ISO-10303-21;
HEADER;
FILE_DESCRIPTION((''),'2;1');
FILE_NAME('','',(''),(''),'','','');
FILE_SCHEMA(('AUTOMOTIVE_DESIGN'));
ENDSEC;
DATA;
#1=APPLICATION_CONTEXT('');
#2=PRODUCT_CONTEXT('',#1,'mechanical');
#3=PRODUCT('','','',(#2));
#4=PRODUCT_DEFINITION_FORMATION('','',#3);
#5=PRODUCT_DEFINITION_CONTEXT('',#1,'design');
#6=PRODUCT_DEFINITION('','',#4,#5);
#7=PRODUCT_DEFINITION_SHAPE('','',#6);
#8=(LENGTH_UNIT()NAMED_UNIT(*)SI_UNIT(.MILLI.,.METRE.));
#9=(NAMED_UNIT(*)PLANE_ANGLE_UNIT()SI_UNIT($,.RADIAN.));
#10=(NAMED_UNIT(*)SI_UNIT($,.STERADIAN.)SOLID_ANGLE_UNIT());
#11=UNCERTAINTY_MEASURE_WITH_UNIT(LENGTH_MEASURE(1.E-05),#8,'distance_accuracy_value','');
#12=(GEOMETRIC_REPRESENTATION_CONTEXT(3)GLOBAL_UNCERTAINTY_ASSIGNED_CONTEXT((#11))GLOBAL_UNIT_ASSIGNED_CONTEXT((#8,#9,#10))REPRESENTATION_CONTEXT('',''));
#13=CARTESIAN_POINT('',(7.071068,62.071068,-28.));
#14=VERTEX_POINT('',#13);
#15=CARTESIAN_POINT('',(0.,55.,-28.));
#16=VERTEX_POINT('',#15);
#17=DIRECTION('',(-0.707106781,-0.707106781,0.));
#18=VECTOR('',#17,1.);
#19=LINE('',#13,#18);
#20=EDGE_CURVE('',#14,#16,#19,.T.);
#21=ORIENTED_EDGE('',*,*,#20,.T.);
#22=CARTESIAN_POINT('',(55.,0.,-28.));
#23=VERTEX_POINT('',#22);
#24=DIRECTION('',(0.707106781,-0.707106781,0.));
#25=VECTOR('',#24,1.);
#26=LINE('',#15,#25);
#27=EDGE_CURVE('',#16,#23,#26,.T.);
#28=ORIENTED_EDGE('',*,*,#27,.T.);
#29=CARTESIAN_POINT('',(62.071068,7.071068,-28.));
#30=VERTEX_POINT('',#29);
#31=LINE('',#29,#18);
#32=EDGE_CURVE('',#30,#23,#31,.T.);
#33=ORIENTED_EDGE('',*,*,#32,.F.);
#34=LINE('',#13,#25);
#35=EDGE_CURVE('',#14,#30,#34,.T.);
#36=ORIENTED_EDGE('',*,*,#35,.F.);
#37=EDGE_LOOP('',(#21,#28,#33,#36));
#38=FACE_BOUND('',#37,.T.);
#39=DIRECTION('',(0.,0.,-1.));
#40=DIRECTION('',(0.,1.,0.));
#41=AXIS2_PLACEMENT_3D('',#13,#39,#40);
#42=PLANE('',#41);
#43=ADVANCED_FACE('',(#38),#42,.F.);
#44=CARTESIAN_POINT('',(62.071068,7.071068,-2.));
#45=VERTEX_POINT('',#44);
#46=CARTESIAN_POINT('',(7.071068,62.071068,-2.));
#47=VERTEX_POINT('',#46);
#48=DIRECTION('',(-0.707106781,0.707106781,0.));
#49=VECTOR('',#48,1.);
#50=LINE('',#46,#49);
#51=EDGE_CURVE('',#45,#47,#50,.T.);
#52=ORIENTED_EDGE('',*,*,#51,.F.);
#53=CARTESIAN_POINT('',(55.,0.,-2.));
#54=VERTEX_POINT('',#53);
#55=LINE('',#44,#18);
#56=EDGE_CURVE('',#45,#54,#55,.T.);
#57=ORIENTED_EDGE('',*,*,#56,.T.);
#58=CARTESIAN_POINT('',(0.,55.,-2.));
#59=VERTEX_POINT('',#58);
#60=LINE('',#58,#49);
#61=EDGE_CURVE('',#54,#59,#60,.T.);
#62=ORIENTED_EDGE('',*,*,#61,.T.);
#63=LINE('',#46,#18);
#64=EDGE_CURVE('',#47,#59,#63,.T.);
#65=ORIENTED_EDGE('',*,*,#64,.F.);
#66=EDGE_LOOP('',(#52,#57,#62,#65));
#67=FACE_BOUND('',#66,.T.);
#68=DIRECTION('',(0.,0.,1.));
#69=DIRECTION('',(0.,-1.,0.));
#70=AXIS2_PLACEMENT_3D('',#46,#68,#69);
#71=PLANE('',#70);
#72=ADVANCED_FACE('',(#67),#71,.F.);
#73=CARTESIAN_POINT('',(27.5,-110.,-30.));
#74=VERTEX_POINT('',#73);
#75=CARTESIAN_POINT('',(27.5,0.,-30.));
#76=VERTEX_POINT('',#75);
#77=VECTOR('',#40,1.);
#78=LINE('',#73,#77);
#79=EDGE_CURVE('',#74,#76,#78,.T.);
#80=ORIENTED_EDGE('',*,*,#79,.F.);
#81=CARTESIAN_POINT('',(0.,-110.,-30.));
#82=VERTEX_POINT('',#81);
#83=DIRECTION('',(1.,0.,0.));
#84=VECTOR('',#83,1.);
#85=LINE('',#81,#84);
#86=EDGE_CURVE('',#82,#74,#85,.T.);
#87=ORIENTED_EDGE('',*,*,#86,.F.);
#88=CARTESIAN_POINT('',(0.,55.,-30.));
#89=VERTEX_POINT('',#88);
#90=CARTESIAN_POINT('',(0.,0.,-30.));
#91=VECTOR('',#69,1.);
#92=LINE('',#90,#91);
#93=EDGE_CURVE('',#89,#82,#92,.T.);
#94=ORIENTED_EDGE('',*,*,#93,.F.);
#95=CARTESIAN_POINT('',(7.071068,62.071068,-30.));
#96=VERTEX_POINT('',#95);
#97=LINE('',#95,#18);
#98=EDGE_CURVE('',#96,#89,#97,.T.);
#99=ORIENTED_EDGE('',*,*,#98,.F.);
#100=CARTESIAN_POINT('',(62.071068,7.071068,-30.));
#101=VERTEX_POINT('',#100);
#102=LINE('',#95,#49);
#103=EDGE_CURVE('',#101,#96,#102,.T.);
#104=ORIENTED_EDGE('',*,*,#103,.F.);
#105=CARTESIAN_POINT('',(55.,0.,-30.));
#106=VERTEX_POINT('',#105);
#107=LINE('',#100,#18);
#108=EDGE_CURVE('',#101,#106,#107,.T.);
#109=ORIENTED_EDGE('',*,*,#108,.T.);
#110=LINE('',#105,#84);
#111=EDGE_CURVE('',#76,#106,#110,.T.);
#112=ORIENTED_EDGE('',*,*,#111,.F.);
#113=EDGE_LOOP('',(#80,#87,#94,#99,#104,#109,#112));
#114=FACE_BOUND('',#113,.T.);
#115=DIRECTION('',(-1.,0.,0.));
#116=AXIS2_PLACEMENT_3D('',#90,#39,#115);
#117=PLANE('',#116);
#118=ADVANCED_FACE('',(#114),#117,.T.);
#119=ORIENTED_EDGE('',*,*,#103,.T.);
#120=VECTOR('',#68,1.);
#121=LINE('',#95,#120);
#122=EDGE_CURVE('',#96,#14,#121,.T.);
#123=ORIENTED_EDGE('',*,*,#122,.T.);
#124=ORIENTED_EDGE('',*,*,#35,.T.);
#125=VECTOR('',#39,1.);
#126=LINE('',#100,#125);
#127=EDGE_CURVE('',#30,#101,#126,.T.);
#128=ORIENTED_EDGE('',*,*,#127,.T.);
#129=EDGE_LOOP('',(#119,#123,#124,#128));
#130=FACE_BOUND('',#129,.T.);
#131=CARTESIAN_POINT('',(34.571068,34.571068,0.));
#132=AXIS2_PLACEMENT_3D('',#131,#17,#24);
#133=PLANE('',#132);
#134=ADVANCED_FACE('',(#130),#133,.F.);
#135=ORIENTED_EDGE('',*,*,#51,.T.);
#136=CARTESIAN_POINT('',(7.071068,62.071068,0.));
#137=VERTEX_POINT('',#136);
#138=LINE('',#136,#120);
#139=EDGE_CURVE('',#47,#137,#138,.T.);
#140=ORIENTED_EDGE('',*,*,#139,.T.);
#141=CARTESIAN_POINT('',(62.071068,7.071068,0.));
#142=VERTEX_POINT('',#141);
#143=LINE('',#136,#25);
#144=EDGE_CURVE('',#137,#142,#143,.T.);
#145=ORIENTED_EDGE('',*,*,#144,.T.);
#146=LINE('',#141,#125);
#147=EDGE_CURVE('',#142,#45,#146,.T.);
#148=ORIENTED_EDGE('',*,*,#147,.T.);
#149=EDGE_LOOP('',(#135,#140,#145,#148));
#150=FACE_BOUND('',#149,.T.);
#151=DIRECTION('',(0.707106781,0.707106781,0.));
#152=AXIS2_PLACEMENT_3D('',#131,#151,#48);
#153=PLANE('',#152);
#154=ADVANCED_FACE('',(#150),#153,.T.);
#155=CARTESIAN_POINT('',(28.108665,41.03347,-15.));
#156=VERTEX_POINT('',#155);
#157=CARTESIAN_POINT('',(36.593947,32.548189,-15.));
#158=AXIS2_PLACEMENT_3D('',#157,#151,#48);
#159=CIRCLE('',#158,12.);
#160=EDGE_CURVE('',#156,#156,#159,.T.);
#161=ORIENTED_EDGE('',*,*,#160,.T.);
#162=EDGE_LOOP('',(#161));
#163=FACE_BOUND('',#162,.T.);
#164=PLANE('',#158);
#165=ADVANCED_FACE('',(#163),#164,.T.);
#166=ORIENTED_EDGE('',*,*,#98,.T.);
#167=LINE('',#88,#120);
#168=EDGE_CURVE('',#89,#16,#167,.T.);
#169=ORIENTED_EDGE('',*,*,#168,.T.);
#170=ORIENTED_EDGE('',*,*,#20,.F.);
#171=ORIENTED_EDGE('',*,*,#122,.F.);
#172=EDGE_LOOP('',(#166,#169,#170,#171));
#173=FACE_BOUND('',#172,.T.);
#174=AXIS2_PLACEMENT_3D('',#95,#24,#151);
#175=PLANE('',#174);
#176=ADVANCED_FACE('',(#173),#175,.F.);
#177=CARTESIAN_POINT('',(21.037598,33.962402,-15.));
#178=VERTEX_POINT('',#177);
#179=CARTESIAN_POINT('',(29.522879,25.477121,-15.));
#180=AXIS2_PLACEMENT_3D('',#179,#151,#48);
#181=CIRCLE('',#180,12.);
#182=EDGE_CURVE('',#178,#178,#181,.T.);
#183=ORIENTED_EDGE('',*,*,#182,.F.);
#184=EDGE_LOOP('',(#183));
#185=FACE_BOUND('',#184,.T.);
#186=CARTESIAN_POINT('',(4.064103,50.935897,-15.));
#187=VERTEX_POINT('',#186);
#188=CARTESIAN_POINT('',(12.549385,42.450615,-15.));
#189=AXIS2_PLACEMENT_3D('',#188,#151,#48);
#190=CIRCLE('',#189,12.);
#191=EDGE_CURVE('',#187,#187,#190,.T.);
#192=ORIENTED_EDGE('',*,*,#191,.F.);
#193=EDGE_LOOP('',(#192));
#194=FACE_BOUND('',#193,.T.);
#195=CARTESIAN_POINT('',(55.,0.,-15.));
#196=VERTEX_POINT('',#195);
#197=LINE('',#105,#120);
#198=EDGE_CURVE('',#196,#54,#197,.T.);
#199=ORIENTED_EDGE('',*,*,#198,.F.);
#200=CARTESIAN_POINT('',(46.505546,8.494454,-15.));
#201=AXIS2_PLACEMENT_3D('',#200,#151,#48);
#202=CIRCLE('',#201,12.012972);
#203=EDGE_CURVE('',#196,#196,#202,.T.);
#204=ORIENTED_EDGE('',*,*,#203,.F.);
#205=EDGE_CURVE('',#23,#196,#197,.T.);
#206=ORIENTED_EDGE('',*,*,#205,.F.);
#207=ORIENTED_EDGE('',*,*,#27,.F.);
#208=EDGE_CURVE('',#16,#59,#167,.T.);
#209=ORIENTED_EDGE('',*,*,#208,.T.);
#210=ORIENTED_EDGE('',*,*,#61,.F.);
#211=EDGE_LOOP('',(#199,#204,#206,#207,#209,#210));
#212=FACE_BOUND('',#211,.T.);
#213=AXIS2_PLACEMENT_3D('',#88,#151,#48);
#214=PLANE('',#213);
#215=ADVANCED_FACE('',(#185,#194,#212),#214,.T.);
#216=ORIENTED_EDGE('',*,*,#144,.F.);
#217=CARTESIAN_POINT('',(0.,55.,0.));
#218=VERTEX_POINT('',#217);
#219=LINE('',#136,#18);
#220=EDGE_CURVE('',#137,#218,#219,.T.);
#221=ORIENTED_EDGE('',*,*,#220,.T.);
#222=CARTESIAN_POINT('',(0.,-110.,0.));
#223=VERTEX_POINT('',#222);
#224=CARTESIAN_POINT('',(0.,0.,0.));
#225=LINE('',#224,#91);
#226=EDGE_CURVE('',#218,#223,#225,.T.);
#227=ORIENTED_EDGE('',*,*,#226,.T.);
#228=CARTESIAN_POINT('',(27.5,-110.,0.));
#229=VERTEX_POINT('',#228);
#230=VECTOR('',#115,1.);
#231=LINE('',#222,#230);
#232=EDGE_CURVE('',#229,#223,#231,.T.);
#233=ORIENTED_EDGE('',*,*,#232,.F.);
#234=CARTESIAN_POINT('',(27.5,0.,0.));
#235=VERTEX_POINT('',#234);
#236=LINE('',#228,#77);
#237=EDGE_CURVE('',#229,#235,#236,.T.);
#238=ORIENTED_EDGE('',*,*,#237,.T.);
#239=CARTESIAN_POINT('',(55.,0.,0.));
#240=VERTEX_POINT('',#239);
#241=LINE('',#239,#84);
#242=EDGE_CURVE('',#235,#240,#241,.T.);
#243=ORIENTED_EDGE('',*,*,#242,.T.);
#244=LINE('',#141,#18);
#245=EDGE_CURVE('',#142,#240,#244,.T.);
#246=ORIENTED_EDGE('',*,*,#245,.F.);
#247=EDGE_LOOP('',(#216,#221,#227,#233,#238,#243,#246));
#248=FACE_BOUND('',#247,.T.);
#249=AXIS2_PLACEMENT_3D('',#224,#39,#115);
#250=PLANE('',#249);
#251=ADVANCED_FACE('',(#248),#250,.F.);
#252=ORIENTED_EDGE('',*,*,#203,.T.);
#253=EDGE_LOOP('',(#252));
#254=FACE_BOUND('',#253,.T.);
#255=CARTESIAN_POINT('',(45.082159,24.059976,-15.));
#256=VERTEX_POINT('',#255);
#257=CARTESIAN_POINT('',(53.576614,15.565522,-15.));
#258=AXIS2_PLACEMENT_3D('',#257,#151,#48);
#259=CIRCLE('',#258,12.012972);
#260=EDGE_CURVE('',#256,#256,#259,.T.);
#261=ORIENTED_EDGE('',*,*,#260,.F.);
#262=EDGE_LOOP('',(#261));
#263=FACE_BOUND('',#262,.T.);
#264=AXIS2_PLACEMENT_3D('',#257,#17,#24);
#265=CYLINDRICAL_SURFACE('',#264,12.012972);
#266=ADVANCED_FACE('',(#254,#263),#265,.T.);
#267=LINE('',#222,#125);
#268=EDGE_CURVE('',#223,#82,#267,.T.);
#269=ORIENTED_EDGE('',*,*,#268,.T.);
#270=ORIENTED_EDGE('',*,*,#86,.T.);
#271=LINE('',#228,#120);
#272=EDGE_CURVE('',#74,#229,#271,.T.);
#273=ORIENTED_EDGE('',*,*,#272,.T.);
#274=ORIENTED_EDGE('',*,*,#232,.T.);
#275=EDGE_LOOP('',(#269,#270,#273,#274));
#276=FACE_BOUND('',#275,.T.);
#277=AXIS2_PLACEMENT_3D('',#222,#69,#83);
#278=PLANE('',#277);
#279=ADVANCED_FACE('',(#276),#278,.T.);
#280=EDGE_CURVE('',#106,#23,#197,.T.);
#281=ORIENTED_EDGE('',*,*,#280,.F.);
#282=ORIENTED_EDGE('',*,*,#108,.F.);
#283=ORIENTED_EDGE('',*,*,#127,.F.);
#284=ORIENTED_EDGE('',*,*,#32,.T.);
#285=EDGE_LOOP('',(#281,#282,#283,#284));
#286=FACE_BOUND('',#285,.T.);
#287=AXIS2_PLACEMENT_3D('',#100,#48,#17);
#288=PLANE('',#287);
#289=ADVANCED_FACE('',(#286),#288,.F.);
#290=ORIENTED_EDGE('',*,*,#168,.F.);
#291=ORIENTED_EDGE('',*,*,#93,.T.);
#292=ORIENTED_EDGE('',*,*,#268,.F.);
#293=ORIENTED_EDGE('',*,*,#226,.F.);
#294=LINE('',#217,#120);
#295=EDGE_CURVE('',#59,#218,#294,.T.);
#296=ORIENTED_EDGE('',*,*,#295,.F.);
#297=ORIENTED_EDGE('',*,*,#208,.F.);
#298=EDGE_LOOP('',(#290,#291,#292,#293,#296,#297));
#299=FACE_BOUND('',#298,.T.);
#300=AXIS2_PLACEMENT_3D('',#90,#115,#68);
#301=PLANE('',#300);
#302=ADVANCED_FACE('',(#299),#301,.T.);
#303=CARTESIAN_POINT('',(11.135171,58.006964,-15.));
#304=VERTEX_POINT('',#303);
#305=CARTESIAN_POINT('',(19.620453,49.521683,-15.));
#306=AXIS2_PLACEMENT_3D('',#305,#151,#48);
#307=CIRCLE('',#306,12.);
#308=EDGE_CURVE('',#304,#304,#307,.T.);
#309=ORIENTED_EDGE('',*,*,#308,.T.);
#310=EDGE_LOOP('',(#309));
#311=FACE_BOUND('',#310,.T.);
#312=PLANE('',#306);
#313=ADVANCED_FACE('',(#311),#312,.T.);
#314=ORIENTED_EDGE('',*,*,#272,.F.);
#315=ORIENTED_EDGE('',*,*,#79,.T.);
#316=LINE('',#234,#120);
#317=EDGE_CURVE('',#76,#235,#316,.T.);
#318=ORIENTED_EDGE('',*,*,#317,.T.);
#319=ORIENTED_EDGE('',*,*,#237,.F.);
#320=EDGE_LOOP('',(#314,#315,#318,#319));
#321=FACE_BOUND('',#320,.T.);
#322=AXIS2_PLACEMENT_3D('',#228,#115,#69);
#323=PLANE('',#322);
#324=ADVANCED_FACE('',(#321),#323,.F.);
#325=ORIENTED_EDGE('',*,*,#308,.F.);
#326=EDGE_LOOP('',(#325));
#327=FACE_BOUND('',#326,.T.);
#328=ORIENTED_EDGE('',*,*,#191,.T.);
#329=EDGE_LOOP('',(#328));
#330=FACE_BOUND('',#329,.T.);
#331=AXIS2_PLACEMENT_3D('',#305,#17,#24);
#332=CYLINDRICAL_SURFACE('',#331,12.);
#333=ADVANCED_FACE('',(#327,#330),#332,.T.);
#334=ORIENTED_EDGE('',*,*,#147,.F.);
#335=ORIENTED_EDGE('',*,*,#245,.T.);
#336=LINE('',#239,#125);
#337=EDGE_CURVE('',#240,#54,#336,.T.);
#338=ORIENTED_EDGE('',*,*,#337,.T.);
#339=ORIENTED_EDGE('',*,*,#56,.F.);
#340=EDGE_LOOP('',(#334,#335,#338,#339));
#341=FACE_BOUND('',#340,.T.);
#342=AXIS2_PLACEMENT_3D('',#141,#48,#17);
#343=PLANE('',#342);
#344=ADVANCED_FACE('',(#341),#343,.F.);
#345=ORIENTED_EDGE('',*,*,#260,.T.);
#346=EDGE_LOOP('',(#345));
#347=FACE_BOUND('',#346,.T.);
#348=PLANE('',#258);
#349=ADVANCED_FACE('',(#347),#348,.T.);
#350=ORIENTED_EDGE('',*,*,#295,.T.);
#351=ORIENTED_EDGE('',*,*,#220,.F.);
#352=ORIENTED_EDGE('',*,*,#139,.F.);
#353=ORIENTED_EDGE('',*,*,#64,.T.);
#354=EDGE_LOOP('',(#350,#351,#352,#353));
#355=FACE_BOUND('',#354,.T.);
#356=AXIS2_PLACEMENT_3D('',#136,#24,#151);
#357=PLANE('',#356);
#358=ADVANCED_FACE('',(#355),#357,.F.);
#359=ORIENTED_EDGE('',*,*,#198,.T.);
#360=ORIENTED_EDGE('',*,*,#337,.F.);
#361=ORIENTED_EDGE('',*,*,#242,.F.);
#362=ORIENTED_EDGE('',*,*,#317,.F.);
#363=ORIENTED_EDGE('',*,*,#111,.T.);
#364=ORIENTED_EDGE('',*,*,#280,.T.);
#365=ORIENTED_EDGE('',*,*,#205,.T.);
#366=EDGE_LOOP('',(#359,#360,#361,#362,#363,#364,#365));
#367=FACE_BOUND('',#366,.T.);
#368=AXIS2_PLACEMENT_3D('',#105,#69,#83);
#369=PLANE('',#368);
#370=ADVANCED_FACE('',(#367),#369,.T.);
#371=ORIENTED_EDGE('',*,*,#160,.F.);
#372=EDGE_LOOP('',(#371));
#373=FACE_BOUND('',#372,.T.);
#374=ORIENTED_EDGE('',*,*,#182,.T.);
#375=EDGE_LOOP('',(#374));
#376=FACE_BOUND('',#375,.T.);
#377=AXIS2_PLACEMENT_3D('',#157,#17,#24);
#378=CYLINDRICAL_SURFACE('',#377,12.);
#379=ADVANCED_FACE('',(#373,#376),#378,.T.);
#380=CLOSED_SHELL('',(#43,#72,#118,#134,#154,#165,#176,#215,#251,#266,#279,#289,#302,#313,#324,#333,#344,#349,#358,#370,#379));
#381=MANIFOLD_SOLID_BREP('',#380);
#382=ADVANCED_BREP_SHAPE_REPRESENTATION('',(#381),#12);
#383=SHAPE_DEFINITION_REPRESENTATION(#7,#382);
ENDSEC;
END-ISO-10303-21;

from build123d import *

# Parameters (mm, degrees)
BOSS_EXTRUDE2_DEPTH = 30
SKETCH2_W           = 2
SKETCH2_H           = 77.78174593
BOSS_EXTRUDE3_DEPTH = 10
SKETCH3_W           = 27.5
SKETCH3_H           = 30
BOSS_EXTRUDE4_DEPTH = 110
SKETCH4_R           = 12.012972295
SKETCH4_R_2         = 12
BOSS_EXTRUDE8_DEPTH = 10


with BuildPart() as part:
    # Sketch1 → Boss-Extrude2 (new body)
    with BuildSketch(Plane.XY):
        Polygon((0, 0), (0, 55), (55, 0), align=None)
    extrude(amount=-BOSS_EXTRUDE2_DEPTH)

    # Sketch2 → Boss-Extrude3 (add)
    with BuildSketch(Plane(origin=(27.5, 27.5, 0), x_dir=(0, 0, -1), z_dir=(0.7071067811865477, 0.7071067811865475, 0))):
        with Locations((1, 0)):
            Rectangle(SKETCH2_W, SKETCH2_H)
        with Locations((29, 0)):
            Rectangle(SKETCH2_W, SKETCH2_H)
    extrude(amount=BOSS_EXTRUDE3_DEPTH)

    # Sketch3 → Boss-Extrude4 (add)
    with BuildSketch(Plane.XZ):
        with Locations((13.75, -15)):
            Rectangle(SKETCH3_W, SKETCH3_H)
    extrude(amount=BOSS_EXTRUDE4_DEPTH)

    # Sketch4 → Boss-Extrude8 (add)
    with BuildSketch(Plane(origin=(27.5, 27.5, 0), x_dir=(0, 0, -1), z_dir=(0.7071067811865477, 0.7071067811865475, 0))):
        with Locations(Location((15, -26.87790067, 0), (0, 0, 270))):
            Circle(SKETCH4_R)
        with Locations(Location((15, -2.860782845, 0), (0, 0, 90))):
            Circle(SKETCH4_R_2)
        with Locations(Location((15, 21.143362684, 0), (0, 0, 90))):
            Circle(SKETCH4_R_2)
    extrude(amount=BOSS_EXTRUDE8_DEPTH)


solid = part.part
